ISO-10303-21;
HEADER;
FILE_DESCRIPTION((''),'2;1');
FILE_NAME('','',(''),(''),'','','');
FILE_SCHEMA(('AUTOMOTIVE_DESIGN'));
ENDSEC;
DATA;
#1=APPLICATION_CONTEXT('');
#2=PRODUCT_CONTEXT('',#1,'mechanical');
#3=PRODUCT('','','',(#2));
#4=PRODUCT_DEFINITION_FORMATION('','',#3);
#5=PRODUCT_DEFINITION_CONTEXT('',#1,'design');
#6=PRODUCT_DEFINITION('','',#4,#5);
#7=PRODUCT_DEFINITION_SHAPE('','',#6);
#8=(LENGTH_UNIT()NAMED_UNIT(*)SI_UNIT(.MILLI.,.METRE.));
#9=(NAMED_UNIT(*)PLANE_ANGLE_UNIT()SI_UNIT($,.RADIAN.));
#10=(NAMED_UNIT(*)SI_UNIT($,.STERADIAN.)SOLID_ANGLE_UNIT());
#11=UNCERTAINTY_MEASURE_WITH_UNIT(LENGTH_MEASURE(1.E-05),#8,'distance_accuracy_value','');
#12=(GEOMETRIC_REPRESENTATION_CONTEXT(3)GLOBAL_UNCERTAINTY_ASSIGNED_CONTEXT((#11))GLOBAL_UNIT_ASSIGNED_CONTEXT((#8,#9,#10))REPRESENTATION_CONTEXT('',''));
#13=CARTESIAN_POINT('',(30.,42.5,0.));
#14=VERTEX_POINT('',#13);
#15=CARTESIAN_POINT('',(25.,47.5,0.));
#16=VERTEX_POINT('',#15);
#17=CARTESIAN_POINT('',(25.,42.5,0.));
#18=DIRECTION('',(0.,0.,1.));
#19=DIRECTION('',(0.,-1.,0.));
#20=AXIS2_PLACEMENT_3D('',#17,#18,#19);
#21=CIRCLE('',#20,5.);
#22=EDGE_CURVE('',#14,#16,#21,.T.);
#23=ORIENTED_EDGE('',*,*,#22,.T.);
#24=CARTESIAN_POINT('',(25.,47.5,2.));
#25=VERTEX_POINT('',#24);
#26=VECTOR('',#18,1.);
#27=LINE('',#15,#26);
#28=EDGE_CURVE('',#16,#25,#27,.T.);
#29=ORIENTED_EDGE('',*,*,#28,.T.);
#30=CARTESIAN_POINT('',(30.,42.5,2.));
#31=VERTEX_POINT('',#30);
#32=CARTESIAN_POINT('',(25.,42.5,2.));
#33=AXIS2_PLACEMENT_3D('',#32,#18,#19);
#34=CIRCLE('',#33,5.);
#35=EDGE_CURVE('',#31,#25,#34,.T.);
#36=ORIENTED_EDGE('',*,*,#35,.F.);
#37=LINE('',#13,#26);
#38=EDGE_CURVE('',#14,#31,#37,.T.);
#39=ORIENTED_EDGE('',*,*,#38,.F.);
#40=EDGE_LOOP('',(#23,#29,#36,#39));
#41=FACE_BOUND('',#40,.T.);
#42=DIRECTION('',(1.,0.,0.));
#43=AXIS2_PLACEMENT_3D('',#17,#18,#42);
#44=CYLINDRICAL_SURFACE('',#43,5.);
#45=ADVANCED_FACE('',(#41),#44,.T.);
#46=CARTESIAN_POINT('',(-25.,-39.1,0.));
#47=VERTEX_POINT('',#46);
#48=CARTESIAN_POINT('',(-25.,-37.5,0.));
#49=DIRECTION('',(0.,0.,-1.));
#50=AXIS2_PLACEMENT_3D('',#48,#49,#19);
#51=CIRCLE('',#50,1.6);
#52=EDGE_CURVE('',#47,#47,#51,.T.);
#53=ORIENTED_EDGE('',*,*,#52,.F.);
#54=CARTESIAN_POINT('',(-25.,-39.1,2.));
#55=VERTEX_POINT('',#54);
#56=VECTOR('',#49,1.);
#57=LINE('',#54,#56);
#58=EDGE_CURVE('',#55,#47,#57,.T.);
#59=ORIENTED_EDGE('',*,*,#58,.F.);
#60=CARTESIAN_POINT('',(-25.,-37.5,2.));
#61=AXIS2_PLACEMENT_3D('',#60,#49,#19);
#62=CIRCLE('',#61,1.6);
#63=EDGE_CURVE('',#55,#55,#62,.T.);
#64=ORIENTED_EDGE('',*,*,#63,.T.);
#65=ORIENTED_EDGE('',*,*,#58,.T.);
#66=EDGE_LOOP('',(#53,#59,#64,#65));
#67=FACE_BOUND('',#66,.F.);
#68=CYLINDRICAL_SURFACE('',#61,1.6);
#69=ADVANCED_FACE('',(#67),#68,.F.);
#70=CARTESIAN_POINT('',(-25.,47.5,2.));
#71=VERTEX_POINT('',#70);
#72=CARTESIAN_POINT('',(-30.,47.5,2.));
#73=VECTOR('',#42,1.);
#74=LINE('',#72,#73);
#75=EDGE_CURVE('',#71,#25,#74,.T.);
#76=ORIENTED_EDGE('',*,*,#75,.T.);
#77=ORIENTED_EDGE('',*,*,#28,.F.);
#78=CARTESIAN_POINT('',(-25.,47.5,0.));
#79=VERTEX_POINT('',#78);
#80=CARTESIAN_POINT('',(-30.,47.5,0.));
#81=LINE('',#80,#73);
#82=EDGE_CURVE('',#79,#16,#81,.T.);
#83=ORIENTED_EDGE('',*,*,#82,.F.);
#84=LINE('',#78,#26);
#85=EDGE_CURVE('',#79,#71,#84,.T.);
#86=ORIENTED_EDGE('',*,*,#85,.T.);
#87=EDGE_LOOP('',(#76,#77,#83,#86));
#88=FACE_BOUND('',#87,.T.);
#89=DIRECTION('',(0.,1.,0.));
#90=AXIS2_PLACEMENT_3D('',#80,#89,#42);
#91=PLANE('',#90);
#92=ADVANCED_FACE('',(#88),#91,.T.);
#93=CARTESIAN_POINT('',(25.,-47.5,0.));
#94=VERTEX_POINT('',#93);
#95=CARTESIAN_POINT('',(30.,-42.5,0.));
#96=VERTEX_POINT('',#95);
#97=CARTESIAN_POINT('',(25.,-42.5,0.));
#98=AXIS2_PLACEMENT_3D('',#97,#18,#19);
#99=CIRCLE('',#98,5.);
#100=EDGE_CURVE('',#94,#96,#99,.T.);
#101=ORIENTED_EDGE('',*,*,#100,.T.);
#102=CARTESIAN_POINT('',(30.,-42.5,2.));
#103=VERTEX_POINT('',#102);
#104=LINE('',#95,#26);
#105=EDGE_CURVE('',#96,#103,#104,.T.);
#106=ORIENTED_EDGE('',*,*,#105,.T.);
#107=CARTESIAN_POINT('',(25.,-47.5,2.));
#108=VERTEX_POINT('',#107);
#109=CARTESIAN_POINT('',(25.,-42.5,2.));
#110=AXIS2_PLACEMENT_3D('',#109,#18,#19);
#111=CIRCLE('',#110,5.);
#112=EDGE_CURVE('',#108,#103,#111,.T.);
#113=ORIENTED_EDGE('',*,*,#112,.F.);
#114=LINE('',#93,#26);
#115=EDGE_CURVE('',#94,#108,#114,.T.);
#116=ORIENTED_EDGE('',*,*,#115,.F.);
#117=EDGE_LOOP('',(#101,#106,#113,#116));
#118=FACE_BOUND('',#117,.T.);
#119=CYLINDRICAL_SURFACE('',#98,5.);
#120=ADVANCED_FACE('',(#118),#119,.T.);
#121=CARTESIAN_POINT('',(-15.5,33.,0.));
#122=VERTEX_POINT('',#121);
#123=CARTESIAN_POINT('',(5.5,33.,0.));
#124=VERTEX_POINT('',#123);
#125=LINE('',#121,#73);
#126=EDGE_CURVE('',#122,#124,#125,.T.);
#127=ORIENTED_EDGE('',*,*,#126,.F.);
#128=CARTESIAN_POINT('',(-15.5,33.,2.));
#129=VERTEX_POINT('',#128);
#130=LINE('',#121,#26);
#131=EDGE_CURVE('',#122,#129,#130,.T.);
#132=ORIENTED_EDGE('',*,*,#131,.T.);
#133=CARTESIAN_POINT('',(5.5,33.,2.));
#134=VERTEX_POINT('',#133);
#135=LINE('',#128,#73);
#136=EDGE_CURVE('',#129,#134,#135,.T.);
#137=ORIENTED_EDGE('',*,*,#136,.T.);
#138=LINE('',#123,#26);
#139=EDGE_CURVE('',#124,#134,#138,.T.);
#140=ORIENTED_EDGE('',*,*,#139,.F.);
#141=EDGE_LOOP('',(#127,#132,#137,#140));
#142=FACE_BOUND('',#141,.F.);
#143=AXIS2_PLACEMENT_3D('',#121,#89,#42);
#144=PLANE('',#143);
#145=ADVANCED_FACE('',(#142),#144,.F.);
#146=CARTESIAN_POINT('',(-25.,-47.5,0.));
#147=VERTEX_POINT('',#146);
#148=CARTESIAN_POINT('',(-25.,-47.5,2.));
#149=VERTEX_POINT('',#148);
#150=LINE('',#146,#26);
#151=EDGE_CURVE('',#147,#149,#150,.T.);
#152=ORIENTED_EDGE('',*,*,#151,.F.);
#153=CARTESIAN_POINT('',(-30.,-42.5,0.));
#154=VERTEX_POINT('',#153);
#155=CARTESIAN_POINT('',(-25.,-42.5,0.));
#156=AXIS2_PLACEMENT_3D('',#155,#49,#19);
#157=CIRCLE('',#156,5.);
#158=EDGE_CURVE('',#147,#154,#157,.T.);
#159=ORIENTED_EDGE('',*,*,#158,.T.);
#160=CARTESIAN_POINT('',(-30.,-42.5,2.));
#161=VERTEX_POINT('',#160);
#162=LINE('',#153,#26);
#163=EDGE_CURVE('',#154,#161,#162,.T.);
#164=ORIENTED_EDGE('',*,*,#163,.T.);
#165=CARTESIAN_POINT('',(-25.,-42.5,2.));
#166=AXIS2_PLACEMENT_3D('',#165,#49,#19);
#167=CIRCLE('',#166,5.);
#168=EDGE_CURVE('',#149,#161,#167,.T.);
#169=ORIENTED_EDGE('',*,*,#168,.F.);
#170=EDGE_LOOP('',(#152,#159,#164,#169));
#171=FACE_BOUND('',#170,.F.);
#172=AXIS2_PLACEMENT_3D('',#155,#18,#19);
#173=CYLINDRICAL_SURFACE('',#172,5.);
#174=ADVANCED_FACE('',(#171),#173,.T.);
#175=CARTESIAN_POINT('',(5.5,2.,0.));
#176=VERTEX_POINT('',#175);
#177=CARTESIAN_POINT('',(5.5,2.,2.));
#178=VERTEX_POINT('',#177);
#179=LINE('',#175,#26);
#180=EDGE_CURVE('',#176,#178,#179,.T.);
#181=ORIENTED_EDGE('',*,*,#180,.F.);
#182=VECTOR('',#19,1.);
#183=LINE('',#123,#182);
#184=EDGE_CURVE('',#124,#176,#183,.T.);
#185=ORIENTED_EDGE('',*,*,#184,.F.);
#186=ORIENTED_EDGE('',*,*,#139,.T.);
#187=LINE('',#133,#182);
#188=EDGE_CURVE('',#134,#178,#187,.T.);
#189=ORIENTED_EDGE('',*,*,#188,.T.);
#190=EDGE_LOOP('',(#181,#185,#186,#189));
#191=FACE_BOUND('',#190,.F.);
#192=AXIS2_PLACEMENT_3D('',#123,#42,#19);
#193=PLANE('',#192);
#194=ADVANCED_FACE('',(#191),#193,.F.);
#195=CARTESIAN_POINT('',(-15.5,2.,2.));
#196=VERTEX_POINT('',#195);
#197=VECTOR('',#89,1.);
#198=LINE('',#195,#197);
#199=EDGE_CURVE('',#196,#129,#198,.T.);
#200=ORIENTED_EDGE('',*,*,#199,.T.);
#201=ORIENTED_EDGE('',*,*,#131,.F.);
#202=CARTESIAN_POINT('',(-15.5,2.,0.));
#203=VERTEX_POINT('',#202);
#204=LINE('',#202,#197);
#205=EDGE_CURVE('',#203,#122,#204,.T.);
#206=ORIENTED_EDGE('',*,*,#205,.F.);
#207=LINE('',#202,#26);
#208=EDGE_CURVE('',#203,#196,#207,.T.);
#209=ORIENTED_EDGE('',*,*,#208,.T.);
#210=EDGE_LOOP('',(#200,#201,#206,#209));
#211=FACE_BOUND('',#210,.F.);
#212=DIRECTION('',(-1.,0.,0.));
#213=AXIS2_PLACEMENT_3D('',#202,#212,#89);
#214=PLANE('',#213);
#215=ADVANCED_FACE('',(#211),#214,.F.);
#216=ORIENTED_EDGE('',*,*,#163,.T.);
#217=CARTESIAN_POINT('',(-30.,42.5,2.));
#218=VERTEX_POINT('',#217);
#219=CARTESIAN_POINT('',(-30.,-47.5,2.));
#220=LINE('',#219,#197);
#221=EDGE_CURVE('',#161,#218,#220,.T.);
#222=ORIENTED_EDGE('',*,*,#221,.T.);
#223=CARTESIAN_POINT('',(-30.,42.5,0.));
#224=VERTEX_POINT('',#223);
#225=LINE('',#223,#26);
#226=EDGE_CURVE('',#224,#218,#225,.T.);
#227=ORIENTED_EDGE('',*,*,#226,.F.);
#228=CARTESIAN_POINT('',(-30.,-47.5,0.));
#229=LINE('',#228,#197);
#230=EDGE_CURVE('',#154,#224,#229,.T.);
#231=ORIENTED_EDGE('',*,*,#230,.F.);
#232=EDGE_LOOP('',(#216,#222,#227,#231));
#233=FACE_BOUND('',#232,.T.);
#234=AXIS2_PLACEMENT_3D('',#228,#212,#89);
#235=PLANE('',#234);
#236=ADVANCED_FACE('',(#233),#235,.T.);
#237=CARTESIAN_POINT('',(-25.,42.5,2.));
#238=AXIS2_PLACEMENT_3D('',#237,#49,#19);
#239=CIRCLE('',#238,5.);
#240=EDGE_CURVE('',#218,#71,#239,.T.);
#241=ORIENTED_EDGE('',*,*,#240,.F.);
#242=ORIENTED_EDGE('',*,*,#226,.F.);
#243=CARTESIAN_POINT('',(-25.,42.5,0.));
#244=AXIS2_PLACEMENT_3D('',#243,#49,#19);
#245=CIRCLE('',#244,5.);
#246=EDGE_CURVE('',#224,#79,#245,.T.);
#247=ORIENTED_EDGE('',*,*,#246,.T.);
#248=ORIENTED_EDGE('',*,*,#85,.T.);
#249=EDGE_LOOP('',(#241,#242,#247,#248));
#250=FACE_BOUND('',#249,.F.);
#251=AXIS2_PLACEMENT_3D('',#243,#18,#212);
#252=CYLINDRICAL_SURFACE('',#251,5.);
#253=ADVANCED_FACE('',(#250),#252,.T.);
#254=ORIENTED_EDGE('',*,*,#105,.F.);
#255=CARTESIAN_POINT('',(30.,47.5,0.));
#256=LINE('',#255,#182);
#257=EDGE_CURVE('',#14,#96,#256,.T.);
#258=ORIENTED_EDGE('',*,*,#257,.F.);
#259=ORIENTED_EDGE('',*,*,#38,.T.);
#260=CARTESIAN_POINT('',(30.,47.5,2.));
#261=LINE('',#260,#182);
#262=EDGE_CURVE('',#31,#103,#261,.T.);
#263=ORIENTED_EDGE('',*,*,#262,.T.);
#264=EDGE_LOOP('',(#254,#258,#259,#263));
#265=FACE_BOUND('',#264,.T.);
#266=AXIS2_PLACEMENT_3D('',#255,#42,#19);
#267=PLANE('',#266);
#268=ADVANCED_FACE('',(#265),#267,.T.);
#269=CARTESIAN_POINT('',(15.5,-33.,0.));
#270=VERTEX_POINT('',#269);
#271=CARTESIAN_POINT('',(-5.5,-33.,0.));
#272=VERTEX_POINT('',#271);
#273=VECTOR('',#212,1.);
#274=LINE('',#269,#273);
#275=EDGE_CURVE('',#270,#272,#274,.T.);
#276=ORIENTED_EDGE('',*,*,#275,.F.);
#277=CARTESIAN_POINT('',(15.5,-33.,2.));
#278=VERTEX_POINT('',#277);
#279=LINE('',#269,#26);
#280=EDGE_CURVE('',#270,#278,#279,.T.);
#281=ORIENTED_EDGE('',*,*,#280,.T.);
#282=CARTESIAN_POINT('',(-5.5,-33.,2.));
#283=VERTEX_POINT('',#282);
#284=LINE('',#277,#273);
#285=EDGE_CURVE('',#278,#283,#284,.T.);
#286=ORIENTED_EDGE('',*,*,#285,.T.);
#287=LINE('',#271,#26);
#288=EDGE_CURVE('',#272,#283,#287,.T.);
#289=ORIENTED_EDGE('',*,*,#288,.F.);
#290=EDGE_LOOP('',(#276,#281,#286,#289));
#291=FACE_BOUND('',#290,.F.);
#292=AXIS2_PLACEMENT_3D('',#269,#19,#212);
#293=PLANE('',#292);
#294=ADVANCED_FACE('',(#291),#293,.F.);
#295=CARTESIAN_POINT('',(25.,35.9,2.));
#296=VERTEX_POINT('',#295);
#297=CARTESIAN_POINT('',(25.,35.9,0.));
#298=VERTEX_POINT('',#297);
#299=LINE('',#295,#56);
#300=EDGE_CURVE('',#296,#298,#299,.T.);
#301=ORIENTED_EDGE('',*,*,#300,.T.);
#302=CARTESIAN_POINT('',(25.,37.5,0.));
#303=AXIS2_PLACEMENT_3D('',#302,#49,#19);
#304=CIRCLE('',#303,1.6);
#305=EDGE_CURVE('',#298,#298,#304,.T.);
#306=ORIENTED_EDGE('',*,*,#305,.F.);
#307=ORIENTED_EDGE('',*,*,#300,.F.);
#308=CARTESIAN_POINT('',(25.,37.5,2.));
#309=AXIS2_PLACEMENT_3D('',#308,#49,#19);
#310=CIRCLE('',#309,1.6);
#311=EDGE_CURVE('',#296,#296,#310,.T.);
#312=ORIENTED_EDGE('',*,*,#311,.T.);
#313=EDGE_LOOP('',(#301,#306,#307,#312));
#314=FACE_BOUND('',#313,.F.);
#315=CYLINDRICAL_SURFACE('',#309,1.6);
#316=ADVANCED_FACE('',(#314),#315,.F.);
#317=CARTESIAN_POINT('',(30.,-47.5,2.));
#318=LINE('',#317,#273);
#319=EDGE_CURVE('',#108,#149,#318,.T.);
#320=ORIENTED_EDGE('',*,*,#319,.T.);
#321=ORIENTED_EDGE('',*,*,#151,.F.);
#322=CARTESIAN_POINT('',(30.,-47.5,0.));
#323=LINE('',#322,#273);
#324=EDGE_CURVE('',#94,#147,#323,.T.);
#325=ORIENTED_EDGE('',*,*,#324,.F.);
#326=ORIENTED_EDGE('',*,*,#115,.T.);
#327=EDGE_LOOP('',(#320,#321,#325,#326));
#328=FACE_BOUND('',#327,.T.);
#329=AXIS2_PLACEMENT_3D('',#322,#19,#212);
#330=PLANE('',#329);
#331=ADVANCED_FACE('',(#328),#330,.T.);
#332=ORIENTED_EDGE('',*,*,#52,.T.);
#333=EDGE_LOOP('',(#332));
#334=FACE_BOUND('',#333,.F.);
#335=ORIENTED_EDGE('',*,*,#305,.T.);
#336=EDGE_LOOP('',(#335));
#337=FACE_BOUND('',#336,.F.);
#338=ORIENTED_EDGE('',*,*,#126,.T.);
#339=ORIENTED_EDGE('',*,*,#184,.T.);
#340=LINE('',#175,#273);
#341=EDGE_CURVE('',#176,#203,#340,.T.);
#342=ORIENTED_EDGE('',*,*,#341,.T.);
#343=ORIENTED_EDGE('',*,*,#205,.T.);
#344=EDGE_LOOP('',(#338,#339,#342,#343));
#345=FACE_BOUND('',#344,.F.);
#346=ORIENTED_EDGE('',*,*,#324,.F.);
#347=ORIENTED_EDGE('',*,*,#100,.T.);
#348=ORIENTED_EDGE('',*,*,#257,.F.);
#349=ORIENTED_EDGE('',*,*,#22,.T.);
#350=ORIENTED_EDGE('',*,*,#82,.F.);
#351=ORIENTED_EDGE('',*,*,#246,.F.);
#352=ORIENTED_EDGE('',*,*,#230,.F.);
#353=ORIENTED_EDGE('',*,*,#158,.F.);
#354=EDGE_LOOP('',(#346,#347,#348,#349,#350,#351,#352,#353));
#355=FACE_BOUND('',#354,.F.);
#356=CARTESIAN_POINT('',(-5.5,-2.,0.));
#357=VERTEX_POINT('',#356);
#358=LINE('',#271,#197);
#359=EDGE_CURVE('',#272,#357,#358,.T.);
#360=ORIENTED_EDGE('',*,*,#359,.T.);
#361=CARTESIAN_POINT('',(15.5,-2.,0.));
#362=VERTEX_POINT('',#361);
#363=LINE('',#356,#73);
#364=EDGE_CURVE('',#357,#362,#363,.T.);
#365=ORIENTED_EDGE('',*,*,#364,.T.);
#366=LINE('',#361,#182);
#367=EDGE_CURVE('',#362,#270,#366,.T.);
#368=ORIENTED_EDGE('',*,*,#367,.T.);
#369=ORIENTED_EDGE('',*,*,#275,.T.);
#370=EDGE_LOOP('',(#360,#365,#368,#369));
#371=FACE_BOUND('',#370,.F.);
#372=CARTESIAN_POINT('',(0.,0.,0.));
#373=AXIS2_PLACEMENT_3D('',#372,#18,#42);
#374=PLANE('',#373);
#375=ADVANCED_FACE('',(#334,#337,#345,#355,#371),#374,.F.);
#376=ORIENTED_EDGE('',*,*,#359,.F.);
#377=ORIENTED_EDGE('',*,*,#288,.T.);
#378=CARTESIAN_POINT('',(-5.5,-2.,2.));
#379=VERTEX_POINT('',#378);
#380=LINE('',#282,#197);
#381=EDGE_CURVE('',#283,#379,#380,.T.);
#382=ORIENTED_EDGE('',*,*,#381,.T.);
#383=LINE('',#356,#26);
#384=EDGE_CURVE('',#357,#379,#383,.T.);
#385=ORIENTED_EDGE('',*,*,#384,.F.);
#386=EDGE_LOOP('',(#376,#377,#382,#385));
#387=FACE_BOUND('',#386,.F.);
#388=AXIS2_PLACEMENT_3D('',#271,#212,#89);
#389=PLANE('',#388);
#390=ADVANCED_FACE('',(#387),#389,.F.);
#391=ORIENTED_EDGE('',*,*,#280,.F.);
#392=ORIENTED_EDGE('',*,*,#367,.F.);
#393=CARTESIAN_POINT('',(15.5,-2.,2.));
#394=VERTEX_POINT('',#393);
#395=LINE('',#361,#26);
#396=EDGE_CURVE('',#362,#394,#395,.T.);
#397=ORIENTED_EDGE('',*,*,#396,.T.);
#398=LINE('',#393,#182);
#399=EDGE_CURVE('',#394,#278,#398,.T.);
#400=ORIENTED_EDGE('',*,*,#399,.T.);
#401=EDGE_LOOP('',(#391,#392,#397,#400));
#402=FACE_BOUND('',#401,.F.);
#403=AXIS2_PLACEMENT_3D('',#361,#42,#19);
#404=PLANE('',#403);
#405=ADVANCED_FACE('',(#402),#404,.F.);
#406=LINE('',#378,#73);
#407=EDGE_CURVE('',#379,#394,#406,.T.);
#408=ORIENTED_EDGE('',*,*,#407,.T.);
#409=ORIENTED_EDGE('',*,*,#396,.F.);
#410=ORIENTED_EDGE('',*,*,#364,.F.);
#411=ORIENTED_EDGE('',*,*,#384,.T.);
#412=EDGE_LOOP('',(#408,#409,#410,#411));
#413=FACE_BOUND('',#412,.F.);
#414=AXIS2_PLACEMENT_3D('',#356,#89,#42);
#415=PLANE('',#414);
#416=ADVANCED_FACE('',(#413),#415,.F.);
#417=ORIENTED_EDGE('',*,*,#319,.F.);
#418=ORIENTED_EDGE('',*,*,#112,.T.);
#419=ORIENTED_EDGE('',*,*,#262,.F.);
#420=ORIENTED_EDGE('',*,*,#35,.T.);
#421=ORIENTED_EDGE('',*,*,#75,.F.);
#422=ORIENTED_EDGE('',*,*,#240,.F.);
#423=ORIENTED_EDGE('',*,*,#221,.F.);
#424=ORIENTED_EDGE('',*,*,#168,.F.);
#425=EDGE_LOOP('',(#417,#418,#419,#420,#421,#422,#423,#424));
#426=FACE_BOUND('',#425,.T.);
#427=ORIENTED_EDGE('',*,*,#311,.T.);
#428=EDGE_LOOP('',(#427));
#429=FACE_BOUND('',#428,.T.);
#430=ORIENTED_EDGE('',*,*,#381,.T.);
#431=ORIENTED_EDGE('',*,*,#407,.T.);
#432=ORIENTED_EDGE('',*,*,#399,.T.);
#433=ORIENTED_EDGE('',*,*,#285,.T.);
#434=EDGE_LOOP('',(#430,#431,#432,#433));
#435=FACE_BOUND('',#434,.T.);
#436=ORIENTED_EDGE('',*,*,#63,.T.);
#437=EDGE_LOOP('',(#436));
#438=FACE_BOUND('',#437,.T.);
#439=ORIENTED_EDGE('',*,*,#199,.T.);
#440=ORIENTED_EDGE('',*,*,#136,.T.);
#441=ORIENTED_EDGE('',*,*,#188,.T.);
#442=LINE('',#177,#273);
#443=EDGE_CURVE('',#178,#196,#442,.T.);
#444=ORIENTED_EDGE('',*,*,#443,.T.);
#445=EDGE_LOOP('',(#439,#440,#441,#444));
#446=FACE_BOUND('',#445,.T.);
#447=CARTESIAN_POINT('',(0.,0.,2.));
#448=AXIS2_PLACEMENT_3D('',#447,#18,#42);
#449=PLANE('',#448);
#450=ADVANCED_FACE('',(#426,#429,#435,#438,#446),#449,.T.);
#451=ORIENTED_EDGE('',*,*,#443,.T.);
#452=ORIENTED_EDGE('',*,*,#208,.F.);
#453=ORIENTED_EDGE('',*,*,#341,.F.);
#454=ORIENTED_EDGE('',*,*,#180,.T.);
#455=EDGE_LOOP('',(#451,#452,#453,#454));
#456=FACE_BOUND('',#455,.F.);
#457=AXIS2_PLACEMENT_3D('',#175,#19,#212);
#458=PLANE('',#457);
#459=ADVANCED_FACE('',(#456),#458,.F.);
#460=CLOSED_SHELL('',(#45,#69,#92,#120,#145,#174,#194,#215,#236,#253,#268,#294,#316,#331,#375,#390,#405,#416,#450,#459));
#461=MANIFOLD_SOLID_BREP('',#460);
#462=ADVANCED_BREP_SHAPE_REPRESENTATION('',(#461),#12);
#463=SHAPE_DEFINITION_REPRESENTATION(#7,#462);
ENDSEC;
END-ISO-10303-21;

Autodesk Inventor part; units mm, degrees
ref_plane "YZ Plane" through (0, 0, 0) normal (1, 0, 0) x (0, 1, 0)
ref_plane "XZ Plane" through (0, 0, 0) normal (0, 1, 0) x (-1, 0, 0)
ref_plane "XY Plane" through (0, 0, 0) normal (0, 0, 1) x (1, 0, 0)
sketch "Sketch1" plane through (0, 0, 0) normal (0, 0, 1) x (1, 0, 0)
  line L0 (0, 66.5) -> (0, -66.5) construction
  line L1 (-42, 0) -> (42, 0) construction
  line L2 (30, -47.5) -> (-30, -47.5)
  line L3 (-30, -47.5) -> (-30, 47.5)
  line L4 (-30, 47.5) -> (30, 47.5)
  line L5 (30, 47.5) -> (30, -47.5)
  line L6 (30, -47.5) -> (-30, 47.5) construction
  line L7 (-30, -47.5) -> (30, 47.5) construction
  line L8 (5.5, 2) -> (-15.5, 2)
  line L9 (-15.5, 2) -> (-15.5, 33)
  line L10 (-15.5, 33) -> (5.5, 33)
  line L11 (5.5, 33) -> (5.5, 2)
  line L12 (5.5, 2) -> (-15.5, 33) construction
  line L13 (-15.5, 2) -> (5.5, 33) construction
  line L14 (15.5, -33) -> (-5.5, -33)
  line L15 (-5.5, -33) -> (-5.5, -2)
  line L16 (-5.5, -2) -> (15.5, -2)
  line L17 (15.5, -2) -> (15.5, -33)
  line L18 (15.5, -33) -> (-5.5, -2) construction
  line L19 (-5.5, -33) -> (15.5, -2) construction
  point P0 (0, 0)
  point P1 (-5, 17.5)
  point P2 (5, -17.5)
  dimension "d13" = 95
  dimension "d14" = 60
  dimension "d15" = 31
  dimension "d16" = 21
  dimension "d17" = 5
  dimension "d18" = 17.5
  dimension "d19" = 17.5
  dimension "d20" = 5
extrude "Extrusion3" add sketch "Sketch1" along normal blind 2
sketch "Sketch2" plane through (0, 0, 2) normal (0, 0, 1) x (1, 0, 0)
  line L0 (25, -37.5) -> (-25, -37.5) construction
  line L1 (-25, -37.5) -> (-25, 37.5) construction
  line L2 (-25, 37.5) -> (25, 37.5) construction
  line L3 (25, 37.5) -> (25, -37.5) construction
  line L4 (25, -37.5) -> (-25, 37.5) construction
  line L5 (-25, -37.5) -> (25, 37.5) construction
  point P0 (0, 0)
  point P1 (-25, -37.5)
  dimension "d21" = 75
  dimension "d22" = 50
hole "Hole1" at (25, 37.5, 2) at (-25, -37.5, 2) direction (0, 0, -1) diameter 3.2 end through all
fillet "Fillet1" radius 5 4 edges at (30, 47.5, 1) (-30, 47.5, 1) (30, -47.5, 1) (-30, -47.5, 1)
equation "\"d19\" = d18"
equation "\"d20\" = d17"
properties part number "17-0028-0112" material "Plastic (perspex PMMA)"
